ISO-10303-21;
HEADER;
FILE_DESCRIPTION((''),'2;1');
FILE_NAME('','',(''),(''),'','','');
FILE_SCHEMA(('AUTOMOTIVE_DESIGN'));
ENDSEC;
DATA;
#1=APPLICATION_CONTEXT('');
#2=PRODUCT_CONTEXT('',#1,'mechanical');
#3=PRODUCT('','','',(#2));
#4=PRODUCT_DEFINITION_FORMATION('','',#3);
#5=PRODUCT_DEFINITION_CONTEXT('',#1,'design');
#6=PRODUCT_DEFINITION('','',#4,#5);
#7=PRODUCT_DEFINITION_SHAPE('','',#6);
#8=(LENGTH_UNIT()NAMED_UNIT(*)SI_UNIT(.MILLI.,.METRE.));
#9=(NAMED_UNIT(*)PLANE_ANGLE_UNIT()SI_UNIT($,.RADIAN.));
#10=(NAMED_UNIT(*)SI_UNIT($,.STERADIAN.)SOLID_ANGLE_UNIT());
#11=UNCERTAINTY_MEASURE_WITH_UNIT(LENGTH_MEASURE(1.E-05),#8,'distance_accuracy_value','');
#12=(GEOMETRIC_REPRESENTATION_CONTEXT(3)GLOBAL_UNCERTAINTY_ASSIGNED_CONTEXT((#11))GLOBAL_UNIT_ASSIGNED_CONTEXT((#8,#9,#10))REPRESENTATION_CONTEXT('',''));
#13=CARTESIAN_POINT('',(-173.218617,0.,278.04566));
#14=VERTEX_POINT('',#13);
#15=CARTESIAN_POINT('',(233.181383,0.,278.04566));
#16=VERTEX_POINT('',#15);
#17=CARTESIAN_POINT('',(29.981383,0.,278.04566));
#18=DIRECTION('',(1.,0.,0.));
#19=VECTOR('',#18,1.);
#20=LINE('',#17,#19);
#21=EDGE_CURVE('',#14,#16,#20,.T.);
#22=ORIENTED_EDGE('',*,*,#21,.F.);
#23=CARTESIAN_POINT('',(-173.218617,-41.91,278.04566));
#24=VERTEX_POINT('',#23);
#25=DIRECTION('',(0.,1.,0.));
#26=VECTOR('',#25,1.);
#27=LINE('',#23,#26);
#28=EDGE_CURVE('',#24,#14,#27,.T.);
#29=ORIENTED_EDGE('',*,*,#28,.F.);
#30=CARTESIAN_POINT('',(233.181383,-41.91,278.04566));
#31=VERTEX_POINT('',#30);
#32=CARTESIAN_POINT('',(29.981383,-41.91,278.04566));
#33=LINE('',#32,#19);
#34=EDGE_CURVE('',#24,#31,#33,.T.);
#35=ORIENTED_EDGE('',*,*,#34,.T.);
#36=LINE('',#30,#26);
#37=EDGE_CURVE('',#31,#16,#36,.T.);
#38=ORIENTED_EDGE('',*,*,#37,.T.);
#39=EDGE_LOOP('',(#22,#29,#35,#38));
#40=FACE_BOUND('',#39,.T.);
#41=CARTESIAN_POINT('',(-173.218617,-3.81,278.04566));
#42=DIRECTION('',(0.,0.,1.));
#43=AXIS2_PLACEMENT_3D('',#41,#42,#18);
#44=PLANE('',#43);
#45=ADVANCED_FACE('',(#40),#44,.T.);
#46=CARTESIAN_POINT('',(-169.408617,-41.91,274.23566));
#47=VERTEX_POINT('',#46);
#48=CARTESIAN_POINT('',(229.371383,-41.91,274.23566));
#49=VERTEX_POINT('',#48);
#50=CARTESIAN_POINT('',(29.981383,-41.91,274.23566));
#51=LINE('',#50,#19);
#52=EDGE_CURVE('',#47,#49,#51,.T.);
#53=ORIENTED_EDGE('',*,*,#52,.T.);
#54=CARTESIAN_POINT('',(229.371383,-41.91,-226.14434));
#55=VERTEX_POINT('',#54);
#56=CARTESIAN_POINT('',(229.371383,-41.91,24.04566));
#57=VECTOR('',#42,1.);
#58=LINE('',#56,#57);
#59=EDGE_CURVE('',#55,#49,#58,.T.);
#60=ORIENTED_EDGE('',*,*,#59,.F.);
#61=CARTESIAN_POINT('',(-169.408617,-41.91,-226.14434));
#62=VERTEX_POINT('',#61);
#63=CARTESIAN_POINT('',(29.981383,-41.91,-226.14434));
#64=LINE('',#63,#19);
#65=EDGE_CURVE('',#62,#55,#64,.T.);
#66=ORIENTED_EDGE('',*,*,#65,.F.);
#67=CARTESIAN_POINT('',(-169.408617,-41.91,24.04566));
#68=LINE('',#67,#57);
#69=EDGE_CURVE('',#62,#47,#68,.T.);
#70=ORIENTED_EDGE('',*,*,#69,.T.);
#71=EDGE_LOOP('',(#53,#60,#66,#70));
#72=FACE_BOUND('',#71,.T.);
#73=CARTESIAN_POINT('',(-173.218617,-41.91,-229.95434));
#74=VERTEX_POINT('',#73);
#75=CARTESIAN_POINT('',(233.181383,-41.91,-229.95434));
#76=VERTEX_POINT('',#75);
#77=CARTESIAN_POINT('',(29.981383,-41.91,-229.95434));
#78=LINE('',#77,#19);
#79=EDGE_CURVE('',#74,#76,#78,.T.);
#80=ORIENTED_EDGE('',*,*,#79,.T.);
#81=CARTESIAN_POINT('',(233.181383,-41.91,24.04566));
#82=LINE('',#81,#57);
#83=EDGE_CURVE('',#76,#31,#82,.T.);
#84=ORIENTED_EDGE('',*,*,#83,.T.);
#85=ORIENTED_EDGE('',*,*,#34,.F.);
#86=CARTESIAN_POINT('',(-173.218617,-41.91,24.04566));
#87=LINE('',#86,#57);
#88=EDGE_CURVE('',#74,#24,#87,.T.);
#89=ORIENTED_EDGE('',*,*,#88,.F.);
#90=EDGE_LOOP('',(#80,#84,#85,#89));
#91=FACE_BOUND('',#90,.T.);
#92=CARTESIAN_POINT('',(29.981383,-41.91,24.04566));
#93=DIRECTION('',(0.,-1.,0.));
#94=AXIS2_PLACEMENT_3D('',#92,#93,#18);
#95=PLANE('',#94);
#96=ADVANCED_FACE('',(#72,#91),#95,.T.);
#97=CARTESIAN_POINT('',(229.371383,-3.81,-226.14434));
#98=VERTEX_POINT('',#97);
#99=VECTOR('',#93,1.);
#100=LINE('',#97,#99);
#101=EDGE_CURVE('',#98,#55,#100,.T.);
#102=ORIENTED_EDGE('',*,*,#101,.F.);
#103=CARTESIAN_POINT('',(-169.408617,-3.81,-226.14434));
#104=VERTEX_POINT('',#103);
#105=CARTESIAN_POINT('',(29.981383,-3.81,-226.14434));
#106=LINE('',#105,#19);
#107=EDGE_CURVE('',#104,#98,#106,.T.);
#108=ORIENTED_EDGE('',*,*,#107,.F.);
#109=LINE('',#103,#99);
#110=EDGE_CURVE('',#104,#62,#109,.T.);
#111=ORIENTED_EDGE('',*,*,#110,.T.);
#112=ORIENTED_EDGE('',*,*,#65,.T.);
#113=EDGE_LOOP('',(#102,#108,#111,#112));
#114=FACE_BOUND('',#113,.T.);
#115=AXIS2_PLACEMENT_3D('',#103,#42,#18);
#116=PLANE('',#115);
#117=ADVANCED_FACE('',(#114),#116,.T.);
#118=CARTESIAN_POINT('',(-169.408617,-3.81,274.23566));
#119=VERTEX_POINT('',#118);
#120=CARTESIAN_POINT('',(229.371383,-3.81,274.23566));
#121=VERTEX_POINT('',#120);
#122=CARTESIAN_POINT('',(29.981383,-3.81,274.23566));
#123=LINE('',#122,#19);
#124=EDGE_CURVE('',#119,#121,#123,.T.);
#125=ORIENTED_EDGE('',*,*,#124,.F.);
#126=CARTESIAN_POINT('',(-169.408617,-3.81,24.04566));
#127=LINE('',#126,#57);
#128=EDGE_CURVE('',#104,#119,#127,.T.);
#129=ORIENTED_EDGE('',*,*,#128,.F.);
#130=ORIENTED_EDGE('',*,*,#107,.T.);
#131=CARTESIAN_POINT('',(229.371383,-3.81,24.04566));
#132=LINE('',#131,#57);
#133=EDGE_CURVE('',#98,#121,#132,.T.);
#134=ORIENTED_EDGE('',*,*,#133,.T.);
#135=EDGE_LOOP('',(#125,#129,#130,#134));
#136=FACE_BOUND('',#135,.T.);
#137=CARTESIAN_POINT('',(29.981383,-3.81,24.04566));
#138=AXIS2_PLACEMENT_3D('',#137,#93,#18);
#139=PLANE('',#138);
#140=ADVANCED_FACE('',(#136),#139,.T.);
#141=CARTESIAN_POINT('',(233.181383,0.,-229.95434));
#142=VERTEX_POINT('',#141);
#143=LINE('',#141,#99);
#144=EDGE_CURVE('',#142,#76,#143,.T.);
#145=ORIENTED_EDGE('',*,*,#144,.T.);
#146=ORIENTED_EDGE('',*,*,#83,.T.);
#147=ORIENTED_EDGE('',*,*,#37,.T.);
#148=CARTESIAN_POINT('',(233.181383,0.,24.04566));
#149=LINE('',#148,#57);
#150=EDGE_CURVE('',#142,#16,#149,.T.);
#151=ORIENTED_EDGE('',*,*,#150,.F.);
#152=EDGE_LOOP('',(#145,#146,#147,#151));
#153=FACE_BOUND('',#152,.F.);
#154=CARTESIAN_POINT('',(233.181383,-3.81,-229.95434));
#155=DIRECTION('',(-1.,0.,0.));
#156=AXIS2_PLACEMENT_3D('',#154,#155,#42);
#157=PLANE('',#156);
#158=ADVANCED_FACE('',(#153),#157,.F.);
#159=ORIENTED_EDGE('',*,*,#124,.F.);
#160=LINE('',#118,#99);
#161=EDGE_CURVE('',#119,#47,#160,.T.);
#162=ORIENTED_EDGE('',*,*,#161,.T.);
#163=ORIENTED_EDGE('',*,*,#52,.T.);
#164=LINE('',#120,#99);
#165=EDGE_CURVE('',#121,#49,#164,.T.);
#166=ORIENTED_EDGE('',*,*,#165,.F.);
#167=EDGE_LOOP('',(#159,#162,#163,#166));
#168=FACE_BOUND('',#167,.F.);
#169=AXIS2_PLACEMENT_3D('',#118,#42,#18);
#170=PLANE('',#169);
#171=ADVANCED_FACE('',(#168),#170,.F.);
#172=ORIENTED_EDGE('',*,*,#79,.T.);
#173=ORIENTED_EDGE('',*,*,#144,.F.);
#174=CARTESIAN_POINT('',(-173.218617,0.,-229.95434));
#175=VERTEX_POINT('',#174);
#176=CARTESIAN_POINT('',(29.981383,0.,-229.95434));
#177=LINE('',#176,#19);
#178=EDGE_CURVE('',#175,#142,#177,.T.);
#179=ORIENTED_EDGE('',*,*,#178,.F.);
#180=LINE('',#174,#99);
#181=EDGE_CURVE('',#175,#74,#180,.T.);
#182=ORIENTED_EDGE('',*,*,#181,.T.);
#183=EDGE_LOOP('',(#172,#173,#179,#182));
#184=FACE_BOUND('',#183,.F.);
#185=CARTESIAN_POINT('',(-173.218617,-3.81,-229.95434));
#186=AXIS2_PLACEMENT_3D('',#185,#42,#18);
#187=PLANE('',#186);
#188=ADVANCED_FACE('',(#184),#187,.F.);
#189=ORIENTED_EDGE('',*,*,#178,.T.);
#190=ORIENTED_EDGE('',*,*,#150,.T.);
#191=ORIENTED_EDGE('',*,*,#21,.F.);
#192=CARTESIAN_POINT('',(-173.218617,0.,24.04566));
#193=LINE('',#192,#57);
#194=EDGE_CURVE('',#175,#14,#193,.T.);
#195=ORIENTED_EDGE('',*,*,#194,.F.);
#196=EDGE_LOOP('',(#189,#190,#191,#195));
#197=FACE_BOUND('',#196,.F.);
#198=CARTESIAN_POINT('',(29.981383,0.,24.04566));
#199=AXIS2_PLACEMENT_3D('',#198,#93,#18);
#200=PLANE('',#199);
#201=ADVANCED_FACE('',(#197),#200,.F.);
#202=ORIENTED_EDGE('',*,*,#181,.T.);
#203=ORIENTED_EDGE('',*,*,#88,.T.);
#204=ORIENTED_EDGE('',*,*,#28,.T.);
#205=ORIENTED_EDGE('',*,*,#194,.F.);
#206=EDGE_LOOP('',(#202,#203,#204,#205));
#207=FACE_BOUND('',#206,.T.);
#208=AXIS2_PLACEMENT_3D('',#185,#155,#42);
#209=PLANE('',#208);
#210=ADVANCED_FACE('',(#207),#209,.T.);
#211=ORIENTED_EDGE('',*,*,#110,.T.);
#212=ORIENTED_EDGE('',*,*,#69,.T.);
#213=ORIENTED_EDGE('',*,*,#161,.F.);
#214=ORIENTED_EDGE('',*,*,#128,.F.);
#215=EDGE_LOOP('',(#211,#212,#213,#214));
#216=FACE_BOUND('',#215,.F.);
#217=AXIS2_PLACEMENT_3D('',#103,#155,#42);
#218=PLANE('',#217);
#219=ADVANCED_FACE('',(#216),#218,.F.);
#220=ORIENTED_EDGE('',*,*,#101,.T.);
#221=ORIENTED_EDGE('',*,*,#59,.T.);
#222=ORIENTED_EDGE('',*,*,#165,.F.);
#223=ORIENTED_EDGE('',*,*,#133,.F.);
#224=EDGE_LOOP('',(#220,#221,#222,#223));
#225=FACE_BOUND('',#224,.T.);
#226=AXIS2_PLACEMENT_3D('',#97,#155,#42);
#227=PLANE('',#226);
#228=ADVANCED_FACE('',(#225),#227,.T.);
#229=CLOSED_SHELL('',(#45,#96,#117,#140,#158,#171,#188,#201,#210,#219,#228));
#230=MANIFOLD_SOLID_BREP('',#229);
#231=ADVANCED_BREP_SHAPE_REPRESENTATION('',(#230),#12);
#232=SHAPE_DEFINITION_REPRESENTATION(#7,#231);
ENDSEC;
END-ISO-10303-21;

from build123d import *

# Parameters (mm, degrees)
F0_W     = 406.4
F0_H     = 508
F1_DEPTH = 3.81
F2_W     = 406.4
F2_H     = 508
F2_W_2   = 398.78
F2_H_2   = 500.38
F3_DEPTH = 38.1


with BuildPart() as f1:
    # F0 (on Front) → F1 (new body)
    with BuildSketch(Plane.XZ):
        with Locations((29.981383, 24.04566)):
            Rectangle(F0_W, F0_H)
    extrude(amount=F1_DEPTH)

    # F2 (on face) → F3 (join)
    with BuildSketch(Plane.XZ.offset(3.81)):
        with Locations((29.981383, 24.04566)):
            Rectangle(F2_W, F2_H)
        with Locations((29.981383, 24.04566)):
            Rectangle(F2_W_2, F2_H_2, mode=Mode.SUBTRACT)
    extrude(amount=F3_DEPTH)


solid = f1.part
